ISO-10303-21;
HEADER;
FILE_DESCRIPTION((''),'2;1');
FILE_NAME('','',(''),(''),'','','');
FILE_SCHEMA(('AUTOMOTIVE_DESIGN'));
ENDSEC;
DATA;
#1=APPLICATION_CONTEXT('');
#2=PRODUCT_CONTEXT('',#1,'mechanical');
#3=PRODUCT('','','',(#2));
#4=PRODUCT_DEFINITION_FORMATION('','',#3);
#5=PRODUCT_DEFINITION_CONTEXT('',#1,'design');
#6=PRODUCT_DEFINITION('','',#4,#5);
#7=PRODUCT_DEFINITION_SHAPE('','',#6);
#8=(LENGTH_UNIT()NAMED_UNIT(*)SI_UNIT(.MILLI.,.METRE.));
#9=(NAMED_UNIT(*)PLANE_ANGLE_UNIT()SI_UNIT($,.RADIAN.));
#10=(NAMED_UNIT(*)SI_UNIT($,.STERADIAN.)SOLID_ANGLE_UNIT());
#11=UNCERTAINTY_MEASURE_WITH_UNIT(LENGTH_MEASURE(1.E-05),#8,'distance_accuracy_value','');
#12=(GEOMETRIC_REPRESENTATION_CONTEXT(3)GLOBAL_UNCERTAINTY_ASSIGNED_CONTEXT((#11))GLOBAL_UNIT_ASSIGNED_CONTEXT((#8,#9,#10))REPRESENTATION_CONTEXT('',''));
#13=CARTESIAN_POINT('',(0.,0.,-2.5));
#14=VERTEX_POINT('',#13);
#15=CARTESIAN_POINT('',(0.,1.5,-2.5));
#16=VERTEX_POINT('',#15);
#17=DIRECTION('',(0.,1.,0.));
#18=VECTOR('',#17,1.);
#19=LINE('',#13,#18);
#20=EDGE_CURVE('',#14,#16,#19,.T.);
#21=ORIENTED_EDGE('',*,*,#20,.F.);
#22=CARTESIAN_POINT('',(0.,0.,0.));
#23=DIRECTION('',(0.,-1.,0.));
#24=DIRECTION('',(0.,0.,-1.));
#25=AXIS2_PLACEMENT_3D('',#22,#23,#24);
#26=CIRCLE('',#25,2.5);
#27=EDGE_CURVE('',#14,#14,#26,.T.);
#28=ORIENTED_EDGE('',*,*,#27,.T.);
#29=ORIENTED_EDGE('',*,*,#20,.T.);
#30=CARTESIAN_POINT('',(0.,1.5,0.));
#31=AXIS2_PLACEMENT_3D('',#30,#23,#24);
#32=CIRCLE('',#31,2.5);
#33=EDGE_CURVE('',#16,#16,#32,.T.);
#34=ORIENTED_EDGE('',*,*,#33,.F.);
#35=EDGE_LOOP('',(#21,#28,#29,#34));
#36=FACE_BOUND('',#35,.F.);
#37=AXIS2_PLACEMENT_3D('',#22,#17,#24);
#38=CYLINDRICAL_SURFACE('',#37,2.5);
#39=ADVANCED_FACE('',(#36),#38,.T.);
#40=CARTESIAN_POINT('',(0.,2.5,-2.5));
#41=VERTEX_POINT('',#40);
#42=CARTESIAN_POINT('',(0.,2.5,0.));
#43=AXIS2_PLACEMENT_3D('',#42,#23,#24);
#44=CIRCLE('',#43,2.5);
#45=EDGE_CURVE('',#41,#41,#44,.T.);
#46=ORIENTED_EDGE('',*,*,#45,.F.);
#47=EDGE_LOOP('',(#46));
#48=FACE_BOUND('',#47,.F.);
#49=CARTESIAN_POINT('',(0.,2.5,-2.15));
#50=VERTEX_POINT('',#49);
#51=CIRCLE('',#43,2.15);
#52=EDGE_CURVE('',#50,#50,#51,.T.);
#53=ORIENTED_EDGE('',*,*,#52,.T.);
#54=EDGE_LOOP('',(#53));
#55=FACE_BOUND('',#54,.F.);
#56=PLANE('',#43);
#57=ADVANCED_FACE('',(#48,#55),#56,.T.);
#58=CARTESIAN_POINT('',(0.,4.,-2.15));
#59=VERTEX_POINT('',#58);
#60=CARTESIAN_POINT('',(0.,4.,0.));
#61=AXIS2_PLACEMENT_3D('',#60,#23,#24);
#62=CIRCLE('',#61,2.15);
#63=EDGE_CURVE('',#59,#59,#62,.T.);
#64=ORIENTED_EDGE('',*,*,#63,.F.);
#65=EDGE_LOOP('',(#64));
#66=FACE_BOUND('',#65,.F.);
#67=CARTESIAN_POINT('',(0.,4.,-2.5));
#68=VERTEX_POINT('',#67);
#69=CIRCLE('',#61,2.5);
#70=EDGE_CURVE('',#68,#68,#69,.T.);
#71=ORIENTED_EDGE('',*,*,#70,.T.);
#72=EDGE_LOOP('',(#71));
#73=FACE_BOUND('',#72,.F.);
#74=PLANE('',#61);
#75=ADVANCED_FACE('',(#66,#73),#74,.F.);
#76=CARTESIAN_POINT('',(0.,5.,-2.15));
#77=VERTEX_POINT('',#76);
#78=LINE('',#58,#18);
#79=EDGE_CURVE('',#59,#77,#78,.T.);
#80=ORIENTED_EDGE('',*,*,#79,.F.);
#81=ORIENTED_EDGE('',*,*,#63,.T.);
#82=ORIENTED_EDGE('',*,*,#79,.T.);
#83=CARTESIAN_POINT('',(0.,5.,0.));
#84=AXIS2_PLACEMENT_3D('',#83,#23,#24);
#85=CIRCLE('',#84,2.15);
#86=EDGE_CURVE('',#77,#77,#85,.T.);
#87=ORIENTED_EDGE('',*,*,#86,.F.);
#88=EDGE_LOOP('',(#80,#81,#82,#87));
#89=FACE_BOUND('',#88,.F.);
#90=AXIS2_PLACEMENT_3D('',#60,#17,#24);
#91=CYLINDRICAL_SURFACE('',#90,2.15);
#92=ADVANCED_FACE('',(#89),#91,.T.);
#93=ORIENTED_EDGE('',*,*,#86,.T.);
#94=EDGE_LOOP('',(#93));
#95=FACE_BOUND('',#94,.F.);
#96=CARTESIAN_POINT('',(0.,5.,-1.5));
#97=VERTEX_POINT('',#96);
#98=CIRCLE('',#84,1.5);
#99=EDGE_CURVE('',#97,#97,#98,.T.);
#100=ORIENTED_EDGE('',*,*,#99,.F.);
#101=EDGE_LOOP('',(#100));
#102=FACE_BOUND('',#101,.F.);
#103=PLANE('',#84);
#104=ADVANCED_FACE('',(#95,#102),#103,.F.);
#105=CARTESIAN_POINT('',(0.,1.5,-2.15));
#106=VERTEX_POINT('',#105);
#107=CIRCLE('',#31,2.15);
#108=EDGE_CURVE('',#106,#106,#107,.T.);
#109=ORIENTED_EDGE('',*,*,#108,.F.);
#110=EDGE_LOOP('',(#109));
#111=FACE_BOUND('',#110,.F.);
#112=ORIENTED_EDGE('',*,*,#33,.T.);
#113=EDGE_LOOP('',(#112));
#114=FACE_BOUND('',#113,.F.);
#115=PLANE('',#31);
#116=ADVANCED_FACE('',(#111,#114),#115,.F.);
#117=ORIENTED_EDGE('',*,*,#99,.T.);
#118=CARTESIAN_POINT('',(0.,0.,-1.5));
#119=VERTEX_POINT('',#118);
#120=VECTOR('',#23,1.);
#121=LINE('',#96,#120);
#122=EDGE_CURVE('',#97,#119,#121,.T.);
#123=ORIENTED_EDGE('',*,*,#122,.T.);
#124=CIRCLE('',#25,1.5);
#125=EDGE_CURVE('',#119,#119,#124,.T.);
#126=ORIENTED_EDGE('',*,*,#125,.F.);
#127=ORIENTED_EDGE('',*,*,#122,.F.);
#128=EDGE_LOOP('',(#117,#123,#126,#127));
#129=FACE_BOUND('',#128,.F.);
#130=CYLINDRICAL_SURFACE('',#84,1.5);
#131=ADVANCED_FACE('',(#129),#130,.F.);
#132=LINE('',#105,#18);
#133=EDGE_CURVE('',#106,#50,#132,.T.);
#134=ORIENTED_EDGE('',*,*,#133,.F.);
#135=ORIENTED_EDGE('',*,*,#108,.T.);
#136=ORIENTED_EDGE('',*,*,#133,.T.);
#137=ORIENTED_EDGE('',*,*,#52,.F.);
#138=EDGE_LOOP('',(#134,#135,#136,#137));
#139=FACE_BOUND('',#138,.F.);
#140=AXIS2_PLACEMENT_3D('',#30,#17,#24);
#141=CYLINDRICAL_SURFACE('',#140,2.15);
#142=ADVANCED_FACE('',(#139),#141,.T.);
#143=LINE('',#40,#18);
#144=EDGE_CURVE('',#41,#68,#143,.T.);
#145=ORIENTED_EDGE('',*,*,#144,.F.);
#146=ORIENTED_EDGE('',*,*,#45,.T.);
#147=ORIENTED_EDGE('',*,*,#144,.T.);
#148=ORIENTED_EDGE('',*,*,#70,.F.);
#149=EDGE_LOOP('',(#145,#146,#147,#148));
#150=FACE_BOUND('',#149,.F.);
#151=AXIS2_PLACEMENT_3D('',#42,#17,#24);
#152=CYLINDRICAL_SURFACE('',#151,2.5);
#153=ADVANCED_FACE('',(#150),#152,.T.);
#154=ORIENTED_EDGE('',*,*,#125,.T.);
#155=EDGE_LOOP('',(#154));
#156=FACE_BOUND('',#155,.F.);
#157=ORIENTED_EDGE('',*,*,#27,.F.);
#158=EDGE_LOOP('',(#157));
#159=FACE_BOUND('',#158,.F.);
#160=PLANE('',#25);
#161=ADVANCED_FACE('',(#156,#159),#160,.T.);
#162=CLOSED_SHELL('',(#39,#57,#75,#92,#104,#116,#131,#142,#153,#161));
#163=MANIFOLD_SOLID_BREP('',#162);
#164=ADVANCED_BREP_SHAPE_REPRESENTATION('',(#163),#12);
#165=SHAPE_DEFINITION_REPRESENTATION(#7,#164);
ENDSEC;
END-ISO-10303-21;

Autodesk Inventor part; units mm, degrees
ref_plane "YZ Plane" through (0, 0, 0) normal (1, 0, 0) x (0, 1, 0)
ref_plane "XZ Plane" through (0, 0, 0) normal (0, 1, 0) x (-1, 0, 0)
ref_plane "XY Plane" through (0, 0, 0) normal (0, 0, 1) x (1, 0, 0)
sketch "Sketch1" plane through (0, 0, 0) normal (1, 0, 0) x (0, 1, 0)
  line L0 (0, 0) -> (0, -2.5)
  line L1 (0, -2.5) -> (1.5, -2.5)
  line L2 (1.5, -2.5) -> (1.5, -2.15)
  line L3 (1.5, -2.15) -> (2.5, -2.15)
  line L4 (2.5, -2.15) -> (2.5, -2.5)
  line L5 (2.5, -2.5) -> (4, -2.5)
  line L6 (4, -2.5) -> (4, -2.15)
  line L7 (4, -2.15) -> (5, -2.15)
  line L8 (5, -2.15) -> (5, 0)
  line L9 (5, 0) -> (0, 0)
  line L10 (5, -1.5) -> (0, -1.5)
  point P0 (4.5, -2.15)
  dimension "d1" = 2.15
  dimension "d2" = 1.5
  dimension "d3" = 2.5
  dimension "d8" = 5
  dimension "d9" = 1.5
  dimension "d10" = 1
  dimension "d11" = 1.5
revolve "Revolution1" add sketch "Sketch1" angle 360 about axis through (0, 5, 0) along (0, -1, 0) contours L10 L8 L7 L6 L5 L4 L3 L2 L1 L0
equation "\"d11\" = d9"
properties part number "M3 heat set insert"
